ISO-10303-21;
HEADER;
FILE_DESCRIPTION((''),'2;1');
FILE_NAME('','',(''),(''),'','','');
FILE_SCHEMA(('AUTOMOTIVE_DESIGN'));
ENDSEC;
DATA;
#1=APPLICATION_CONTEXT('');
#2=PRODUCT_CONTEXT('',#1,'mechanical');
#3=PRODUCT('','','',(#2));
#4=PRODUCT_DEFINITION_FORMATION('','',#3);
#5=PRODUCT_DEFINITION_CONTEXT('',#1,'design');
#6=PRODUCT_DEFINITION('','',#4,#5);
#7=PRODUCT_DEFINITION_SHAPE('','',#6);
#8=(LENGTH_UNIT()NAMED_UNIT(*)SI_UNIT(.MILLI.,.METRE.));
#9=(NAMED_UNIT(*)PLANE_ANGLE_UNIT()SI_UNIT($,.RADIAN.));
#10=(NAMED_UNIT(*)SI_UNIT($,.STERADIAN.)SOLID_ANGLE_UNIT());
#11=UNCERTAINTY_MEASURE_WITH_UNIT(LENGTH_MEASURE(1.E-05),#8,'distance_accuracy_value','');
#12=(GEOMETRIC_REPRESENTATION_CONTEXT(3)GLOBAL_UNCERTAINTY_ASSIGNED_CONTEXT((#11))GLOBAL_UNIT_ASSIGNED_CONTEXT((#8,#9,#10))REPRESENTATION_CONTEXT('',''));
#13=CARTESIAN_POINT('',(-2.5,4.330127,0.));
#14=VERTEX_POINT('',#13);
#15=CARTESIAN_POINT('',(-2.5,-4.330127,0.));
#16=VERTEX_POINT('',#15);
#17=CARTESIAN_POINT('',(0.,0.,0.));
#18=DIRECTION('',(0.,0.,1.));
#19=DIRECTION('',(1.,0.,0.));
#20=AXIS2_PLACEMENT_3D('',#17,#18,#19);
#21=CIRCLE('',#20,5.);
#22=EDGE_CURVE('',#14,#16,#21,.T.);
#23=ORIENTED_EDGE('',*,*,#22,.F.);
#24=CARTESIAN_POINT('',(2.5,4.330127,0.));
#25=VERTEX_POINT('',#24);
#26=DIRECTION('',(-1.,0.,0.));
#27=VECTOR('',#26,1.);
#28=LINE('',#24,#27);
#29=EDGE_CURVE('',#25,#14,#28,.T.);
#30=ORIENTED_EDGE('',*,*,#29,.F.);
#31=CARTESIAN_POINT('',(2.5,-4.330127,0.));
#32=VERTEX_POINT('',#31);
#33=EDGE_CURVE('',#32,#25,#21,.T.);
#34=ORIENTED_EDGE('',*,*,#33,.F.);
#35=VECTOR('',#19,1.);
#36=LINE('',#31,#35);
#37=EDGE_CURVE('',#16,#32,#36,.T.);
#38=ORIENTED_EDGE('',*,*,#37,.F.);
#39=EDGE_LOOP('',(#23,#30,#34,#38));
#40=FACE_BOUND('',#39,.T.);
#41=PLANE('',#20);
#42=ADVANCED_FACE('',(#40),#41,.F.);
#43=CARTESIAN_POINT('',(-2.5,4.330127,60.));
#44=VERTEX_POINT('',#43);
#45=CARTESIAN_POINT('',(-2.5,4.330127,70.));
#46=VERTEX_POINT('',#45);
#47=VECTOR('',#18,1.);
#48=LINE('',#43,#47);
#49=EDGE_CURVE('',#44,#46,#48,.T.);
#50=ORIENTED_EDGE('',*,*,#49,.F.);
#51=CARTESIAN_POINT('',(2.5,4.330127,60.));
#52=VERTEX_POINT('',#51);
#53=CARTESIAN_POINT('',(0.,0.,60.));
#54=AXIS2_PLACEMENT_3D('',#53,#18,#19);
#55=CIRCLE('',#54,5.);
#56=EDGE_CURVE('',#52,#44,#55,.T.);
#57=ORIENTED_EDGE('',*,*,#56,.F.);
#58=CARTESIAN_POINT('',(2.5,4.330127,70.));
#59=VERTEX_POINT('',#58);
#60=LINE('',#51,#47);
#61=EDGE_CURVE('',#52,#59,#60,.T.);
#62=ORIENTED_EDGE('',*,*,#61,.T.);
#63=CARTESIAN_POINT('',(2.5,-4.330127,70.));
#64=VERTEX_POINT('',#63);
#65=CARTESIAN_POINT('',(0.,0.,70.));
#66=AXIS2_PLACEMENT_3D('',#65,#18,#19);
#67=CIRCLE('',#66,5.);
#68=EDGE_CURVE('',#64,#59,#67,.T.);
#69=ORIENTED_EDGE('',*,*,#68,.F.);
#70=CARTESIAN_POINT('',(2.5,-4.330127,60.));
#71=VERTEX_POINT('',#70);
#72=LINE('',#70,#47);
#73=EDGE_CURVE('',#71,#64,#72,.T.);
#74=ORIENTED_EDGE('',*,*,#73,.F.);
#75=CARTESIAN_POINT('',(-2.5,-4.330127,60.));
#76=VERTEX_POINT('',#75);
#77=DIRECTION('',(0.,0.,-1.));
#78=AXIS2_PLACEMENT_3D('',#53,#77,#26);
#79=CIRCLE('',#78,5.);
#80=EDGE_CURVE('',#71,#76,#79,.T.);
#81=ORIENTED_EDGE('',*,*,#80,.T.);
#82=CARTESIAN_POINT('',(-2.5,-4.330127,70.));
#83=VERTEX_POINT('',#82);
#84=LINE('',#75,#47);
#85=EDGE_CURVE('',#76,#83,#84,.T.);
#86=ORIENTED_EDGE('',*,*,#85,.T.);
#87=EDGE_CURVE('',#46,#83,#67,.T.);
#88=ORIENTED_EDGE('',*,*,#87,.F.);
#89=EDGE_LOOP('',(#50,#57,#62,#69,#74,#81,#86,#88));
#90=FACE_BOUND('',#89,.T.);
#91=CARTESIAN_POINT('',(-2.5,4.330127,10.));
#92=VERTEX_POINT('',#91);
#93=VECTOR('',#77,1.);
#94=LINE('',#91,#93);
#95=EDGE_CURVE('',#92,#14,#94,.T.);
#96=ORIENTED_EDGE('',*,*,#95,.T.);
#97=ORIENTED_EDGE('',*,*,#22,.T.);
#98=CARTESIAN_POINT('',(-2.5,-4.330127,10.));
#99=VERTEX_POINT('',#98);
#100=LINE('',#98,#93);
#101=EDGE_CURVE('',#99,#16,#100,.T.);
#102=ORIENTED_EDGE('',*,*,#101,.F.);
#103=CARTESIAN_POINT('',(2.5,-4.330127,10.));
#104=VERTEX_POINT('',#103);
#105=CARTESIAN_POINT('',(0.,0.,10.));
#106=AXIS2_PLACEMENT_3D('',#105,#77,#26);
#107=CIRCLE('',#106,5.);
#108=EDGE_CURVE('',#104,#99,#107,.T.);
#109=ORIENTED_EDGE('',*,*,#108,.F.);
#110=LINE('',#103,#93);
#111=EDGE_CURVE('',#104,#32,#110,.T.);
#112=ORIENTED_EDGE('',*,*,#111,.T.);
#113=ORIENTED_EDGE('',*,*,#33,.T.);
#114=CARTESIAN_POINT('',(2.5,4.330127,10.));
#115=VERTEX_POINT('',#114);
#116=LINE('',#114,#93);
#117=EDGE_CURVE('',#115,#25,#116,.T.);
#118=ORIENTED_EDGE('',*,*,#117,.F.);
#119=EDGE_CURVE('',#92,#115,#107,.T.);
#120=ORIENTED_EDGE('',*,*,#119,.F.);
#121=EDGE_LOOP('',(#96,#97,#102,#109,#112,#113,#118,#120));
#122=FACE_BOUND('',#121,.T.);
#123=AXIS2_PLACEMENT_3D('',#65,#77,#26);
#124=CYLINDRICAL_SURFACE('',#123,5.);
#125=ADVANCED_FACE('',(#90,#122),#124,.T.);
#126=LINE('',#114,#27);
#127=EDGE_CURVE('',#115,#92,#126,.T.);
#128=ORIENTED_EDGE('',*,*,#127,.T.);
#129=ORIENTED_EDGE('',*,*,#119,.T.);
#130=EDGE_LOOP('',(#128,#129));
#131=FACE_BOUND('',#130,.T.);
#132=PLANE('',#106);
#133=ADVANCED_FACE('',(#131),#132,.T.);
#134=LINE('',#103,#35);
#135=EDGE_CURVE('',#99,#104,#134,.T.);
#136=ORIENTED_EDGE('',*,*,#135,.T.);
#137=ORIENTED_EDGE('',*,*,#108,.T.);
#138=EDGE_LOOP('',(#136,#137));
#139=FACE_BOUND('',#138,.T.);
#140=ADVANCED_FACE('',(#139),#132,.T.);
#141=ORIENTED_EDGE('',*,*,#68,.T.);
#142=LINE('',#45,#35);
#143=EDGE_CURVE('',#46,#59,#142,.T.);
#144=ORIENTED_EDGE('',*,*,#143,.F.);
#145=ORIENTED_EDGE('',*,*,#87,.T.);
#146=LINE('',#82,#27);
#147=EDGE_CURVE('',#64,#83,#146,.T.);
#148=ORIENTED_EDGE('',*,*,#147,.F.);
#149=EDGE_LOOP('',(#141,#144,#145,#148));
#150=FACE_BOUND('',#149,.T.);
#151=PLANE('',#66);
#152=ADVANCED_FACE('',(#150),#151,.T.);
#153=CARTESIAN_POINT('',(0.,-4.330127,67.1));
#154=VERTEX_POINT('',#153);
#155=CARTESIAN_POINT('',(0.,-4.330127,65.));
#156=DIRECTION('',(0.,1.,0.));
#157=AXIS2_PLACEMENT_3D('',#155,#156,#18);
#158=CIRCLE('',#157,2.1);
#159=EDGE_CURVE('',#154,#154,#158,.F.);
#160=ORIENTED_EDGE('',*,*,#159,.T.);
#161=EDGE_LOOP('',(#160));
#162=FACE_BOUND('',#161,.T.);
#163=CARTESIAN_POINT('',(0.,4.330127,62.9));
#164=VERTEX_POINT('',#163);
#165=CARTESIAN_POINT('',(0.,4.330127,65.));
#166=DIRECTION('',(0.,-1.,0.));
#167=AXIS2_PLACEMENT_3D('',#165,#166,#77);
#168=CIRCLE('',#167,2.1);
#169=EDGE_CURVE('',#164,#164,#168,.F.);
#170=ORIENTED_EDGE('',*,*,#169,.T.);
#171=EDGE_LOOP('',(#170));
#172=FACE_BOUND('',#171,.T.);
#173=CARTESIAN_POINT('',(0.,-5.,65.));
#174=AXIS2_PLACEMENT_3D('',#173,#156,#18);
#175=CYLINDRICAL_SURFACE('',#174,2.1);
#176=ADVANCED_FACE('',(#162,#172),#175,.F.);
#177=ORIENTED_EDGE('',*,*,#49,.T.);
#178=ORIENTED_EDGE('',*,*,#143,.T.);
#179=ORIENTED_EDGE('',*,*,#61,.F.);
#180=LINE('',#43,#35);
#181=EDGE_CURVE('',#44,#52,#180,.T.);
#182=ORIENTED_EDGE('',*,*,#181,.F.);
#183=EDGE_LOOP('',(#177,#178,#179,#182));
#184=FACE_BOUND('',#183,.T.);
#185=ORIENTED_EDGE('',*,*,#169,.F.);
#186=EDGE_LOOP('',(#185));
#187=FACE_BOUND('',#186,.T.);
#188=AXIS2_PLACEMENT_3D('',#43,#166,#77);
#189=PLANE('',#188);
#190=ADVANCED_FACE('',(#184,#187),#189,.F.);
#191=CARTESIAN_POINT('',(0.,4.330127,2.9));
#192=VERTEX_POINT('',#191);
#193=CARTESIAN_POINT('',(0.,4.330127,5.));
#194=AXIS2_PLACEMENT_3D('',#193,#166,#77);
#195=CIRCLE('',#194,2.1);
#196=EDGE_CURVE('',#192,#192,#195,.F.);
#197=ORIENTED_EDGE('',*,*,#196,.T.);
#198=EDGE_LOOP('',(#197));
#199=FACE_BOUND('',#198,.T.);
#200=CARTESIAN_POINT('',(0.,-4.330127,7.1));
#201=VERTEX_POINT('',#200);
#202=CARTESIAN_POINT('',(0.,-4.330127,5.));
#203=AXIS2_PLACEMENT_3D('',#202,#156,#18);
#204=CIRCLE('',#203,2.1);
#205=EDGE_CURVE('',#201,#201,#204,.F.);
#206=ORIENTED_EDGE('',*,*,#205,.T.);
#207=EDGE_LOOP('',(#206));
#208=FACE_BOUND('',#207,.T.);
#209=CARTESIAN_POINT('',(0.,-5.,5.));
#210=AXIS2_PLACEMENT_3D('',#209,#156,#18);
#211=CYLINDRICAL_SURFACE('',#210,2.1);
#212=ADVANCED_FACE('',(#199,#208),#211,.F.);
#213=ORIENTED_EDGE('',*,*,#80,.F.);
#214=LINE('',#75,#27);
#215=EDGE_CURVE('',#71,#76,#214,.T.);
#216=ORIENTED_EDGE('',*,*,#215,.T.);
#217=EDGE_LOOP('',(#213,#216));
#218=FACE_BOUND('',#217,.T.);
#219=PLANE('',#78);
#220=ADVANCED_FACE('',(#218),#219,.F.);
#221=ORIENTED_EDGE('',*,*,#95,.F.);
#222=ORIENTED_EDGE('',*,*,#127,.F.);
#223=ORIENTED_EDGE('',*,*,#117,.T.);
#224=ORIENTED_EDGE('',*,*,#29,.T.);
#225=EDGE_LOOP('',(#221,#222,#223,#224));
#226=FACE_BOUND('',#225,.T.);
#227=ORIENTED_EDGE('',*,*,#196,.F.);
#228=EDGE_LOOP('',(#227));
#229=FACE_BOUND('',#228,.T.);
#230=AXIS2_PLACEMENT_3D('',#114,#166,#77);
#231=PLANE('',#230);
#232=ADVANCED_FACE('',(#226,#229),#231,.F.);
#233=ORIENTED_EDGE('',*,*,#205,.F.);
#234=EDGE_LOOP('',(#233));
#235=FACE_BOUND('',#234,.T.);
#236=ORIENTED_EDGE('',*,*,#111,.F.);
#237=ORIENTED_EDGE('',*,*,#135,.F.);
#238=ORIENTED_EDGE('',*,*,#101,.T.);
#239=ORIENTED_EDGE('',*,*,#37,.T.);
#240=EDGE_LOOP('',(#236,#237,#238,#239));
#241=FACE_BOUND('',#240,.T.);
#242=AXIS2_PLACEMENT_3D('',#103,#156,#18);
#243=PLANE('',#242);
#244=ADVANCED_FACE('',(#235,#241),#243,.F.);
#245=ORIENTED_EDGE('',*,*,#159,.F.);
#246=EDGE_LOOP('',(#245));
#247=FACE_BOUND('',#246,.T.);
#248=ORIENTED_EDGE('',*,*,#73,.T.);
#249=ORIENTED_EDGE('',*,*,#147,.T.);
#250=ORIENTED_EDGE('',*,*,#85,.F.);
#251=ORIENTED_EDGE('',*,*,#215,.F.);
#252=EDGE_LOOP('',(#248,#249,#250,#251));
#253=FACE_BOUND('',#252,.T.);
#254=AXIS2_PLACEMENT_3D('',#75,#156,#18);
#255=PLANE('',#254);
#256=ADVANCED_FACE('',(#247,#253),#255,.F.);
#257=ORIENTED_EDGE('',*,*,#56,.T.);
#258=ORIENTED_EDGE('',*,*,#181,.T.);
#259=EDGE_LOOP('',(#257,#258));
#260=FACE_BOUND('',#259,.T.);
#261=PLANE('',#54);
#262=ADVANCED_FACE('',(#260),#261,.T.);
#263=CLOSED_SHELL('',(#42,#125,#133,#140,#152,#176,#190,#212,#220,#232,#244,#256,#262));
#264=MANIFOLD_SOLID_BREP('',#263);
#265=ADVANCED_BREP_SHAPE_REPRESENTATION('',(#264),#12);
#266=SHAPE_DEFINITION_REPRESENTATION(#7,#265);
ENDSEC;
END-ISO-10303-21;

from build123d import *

# Parameters (mm, degrees)
SKETCH_1_R          = 5
EXTRUDE_1_DEPTH     = 70
SKETCH_2_R          = 2.1
CUT_EXTRUDE_1_DEPTH = 5
SKETCH_3_W          = 5
SKETCH_3_H          = 10
CUT_EXTRUDE_2_DEPTH = 10
SKETCH_4_W          = 5
SKETCH_4_H          = 10
CUT_EXTRUDE_3_DEPTH = 10


with BuildPart() as part:
    # 草图1 → 凸台-拉伸1 (new body)
    with BuildSketch(Plane.XY):
        Circle(SKETCH_1_R)
    extrude(amount=EXTRUDE_1_DEPTH)

    # 草图2 → 切除-拉伸1 (cut, symmetric)
    with BuildSketch(Plane(origin=(0, 0, 0), x_dir=(1, 0, 0), z_dir=(0, 1, 0))):
        with Locations(Location((0, -5, 0), (0, 0, 270))):
            Circle(SKETCH_2_R)
        with Locations(Location((0, -65, 0), (0, 0, 270))):
            Circle(SKETCH_2_R)
    extrude(amount=CUT_EXTRUDE_1_DEPTH, both=True, mode=Mode.SUBTRACT)

    # 草图3 → 切除-拉伸2 (cut)
    with BuildSketch(Plane.XY.offset(70)):
        with Locations((0, 9.330127019)):
            Rectangle(SKETCH_3_W, SKETCH_3_H)
        with Locations((0, -9.330127019)):
            Rectangle(SKETCH_3_W, SKETCH_3_H)
    extrude(amount=-CUT_EXTRUDE_2_DEPTH, mode=Mode.SUBTRACT)

    # 草图4 → 切除-拉伸3 (cut)
    with BuildSketch(Plane(origin=(0, 0, 0), x_dir=(-1, 0, 0), z_dir=(0, 0, -1))):
        with Locations((0, 9.330127019)):
            Rectangle(SKETCH_4_W, SKETCH_4_H)
        with Locations((0, -9.330127019)):
            Rectangle(SKETCH_4_W, SKETCH_4_H)
    extrude(amount=-CUT_EXTRUDE_3_DEPTH, mode=Mode.SUBTRACT)


solid = part.part
